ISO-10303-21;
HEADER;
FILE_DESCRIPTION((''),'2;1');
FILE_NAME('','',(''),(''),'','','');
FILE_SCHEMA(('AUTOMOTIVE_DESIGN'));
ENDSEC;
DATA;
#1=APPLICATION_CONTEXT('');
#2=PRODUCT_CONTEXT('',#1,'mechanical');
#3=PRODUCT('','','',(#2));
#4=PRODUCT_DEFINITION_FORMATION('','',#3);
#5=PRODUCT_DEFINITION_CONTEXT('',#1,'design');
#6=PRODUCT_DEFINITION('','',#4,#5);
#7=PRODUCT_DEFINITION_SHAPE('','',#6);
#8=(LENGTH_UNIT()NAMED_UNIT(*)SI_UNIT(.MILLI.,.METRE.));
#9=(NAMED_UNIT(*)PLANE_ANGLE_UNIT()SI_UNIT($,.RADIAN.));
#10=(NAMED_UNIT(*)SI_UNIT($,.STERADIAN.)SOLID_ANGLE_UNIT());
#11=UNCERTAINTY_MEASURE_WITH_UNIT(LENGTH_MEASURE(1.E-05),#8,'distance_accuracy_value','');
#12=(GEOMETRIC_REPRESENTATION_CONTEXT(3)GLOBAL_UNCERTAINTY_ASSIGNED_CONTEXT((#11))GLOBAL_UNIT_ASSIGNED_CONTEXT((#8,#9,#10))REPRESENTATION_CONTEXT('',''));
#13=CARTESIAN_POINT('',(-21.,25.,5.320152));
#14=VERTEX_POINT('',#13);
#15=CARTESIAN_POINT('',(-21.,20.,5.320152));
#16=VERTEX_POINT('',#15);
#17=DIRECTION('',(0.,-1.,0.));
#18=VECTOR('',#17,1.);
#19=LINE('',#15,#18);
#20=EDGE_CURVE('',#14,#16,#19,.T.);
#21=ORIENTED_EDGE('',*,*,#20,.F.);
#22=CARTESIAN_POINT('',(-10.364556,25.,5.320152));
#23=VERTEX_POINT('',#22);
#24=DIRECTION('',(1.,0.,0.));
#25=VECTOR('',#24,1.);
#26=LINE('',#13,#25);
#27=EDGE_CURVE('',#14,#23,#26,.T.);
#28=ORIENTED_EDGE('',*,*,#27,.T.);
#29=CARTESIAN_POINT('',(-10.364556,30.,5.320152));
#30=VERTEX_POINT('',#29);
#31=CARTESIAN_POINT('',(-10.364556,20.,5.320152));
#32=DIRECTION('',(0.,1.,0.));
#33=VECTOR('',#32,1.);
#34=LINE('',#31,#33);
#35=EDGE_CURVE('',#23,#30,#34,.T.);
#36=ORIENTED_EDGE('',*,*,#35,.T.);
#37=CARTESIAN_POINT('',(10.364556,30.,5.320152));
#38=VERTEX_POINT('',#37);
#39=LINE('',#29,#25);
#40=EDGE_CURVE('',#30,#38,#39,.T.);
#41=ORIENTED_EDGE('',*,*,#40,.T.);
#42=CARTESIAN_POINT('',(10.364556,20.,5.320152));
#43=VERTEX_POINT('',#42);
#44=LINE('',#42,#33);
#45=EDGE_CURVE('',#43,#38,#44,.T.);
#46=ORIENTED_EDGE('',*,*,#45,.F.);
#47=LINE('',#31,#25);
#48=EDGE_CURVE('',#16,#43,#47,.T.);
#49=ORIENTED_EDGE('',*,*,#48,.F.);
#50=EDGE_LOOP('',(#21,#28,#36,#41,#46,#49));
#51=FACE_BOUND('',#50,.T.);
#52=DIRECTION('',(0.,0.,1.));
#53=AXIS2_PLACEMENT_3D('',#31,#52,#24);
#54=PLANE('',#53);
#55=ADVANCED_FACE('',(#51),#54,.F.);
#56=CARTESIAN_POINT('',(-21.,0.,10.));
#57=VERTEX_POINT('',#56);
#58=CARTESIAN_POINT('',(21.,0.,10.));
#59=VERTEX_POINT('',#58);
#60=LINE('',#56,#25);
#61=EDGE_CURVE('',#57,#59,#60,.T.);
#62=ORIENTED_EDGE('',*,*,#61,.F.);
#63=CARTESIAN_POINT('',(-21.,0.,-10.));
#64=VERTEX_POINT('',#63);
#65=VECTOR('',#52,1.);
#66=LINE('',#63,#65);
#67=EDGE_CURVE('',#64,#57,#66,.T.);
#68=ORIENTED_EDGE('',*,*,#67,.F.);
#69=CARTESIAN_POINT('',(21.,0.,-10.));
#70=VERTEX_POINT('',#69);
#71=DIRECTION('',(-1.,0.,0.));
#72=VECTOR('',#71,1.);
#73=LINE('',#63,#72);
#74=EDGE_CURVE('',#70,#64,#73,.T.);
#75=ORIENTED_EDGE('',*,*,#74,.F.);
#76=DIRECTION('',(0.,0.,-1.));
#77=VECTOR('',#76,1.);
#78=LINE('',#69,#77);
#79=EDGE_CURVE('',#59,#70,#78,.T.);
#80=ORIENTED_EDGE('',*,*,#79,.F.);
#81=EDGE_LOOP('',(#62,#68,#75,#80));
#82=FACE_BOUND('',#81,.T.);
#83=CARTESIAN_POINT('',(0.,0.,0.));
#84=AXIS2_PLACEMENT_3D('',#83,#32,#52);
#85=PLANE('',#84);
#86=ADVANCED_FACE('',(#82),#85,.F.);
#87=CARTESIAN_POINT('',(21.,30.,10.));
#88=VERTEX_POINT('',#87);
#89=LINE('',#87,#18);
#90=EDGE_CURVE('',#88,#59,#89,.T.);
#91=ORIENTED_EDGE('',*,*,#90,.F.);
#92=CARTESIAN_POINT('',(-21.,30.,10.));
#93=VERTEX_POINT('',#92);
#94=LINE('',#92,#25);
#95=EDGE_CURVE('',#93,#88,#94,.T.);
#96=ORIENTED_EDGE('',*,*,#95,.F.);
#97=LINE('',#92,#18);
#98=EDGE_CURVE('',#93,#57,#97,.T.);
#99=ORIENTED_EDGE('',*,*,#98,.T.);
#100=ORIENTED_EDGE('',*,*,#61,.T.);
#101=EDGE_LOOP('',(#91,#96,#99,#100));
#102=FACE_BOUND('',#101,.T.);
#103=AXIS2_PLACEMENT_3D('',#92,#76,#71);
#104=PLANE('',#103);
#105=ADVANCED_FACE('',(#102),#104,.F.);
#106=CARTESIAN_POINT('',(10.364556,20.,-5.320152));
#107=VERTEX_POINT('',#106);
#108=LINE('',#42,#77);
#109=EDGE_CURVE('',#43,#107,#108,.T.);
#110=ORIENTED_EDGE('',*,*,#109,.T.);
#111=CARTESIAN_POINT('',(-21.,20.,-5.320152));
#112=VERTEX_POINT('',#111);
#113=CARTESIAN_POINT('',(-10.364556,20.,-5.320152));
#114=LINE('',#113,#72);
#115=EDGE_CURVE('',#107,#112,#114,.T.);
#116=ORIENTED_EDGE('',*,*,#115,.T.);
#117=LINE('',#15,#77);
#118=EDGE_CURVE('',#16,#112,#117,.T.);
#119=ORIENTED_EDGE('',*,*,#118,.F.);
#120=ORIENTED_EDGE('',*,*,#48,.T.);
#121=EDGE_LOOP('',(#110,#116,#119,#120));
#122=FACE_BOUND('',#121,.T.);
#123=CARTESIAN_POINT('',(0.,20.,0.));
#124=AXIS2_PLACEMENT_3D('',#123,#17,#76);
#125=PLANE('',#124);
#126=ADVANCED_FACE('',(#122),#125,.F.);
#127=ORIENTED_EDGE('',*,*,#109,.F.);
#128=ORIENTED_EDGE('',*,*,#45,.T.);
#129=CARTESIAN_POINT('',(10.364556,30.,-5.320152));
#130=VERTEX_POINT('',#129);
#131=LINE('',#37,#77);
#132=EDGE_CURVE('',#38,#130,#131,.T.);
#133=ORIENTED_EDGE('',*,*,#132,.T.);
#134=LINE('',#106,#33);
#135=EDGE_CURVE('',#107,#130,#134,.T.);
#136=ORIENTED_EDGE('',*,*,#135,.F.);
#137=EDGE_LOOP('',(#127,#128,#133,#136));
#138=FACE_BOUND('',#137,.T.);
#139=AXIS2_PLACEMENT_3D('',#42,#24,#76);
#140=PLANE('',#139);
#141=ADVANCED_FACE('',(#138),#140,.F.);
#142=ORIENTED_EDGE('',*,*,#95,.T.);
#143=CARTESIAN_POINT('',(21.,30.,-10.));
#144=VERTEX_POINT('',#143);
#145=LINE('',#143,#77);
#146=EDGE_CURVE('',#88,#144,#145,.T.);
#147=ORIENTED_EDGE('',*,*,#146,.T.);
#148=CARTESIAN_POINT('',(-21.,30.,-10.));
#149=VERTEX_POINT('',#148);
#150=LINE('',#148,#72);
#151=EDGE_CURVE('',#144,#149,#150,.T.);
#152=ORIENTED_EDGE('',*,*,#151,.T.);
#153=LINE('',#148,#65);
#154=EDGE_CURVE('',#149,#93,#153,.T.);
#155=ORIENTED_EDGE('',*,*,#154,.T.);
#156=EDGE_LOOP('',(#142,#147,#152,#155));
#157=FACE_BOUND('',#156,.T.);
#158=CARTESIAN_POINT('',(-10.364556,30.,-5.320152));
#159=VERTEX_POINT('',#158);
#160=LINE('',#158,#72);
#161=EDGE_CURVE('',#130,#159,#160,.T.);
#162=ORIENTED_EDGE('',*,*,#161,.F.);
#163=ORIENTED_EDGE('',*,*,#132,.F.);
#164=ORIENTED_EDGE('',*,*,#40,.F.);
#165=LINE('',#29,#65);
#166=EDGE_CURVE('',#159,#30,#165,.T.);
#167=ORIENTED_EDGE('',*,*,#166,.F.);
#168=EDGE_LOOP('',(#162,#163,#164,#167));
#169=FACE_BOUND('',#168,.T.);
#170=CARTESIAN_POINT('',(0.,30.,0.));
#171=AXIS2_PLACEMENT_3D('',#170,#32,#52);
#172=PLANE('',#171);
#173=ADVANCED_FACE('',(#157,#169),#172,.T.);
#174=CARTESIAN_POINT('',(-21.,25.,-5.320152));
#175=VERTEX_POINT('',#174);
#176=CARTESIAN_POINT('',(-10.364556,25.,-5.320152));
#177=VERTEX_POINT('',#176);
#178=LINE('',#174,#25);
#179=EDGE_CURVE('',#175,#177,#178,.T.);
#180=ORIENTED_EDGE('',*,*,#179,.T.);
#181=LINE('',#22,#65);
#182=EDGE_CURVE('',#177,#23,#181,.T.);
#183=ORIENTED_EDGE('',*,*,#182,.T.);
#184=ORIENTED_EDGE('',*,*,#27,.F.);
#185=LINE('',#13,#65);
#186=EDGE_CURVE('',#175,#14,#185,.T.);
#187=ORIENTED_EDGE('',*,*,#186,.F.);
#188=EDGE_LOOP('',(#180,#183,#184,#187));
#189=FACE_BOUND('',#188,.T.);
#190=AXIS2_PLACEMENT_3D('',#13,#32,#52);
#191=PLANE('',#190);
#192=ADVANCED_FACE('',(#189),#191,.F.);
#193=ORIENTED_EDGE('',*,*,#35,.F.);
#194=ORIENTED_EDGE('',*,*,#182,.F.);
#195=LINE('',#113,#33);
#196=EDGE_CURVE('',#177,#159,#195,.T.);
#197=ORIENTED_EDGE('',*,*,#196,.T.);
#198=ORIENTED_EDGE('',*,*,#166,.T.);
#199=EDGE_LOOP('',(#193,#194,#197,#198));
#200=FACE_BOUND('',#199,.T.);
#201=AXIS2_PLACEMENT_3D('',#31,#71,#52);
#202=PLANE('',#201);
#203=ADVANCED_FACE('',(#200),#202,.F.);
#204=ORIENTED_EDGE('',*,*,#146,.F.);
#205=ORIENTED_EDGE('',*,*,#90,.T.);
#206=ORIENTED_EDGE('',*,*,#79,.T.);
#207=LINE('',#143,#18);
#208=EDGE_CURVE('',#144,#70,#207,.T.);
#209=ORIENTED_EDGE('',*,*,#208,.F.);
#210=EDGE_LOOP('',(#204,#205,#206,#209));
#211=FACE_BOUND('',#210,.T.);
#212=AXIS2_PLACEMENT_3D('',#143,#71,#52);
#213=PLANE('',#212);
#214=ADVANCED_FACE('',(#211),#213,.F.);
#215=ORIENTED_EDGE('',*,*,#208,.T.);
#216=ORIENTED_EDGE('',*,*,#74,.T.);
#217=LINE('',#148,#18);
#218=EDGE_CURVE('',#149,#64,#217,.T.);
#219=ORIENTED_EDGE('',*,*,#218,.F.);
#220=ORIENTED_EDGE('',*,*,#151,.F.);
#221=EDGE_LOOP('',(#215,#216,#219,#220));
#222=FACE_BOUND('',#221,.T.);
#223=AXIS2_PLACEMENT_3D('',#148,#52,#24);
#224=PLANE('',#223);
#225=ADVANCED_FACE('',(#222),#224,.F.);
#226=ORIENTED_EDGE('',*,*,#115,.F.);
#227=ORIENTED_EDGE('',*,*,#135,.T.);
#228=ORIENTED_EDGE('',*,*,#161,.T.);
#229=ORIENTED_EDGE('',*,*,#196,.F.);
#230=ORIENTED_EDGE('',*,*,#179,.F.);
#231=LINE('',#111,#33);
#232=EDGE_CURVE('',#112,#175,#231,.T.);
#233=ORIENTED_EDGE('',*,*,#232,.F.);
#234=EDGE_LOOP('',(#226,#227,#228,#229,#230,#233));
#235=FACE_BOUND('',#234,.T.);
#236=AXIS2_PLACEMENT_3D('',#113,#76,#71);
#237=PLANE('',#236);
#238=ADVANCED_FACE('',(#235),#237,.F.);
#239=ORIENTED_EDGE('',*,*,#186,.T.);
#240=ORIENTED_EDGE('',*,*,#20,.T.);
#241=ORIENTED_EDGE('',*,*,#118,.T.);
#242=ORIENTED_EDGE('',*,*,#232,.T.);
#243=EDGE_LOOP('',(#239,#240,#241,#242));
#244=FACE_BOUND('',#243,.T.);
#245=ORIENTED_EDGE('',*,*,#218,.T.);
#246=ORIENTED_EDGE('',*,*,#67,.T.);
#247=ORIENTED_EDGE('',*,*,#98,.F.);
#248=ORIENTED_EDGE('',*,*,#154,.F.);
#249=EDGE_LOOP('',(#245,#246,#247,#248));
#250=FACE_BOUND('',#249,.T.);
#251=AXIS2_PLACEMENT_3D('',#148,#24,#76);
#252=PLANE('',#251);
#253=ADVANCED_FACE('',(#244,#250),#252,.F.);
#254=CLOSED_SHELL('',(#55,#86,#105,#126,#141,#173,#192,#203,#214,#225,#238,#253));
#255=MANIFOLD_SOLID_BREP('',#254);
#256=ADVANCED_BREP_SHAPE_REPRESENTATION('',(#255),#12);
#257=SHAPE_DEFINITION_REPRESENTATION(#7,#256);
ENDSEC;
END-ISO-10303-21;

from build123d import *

# Parameters (mm, degrees)
ESQUISSE1_W             = 42
ESQUISSE1_H             = 20
BOSS_EXTRU_1_DEPTH      = 30
ESQUISSE2_W             = 20.729111418
ESQUISSE2_H             = 10.640304806
ENL_V_MAT_EXTRU_1_DEPTH = 10
ESQUISSE3_W             = 10.640304806
ESQUISSE3_H             = 5
ENL_V_MAT_EXTRU_2_DEPTH = 45.539144074


with BuildPart() as part:
    # Esquisse1 → Boss.-Extru.1 (new body)
    with BuildSketch(Plane(origin=(0, 0, 0), x_dir=(1, 0, 0), z_dir=(0, 1, 0))):
        Rectangle(ESQUISSE1_W, ESQUISSE1_H)
    extrude(amount=BOSS_EXTRU_1_DEPTH)

    # Esquisse2 → Enlèv. mat.-Extru.1 (cut)
    with BuildSketch(Plane(origin=(0, 30, 0), x_dir=(1, 0, 0), z_dir=(0, 1, 0))):
        Rectangle(ESQUISSE2_W, ESQUISSE2_H)
    extrude(amount=-ENL_V_MAT_EXTRU_1_DEPTH, mode=Mode.SUBTRACT)

    # Esquisse3 → Enlèv. mat.-Extru.2 (cut, through all)
    with BuildSketch(Plane(origin=(-10.364555709, 0, 0), x_dir=(0, 0, -1), z_dir=(1, 0, 0))):
        with Locations((0, 22.5)):
            Rectangle(ESQUISSE3_W, ESQUISSE3_H)
    extrude(amount=-ENL_V_MAT_EXTRU_2_DEPTH, mode=Mode.SUBTRACT)


solid = part.part
